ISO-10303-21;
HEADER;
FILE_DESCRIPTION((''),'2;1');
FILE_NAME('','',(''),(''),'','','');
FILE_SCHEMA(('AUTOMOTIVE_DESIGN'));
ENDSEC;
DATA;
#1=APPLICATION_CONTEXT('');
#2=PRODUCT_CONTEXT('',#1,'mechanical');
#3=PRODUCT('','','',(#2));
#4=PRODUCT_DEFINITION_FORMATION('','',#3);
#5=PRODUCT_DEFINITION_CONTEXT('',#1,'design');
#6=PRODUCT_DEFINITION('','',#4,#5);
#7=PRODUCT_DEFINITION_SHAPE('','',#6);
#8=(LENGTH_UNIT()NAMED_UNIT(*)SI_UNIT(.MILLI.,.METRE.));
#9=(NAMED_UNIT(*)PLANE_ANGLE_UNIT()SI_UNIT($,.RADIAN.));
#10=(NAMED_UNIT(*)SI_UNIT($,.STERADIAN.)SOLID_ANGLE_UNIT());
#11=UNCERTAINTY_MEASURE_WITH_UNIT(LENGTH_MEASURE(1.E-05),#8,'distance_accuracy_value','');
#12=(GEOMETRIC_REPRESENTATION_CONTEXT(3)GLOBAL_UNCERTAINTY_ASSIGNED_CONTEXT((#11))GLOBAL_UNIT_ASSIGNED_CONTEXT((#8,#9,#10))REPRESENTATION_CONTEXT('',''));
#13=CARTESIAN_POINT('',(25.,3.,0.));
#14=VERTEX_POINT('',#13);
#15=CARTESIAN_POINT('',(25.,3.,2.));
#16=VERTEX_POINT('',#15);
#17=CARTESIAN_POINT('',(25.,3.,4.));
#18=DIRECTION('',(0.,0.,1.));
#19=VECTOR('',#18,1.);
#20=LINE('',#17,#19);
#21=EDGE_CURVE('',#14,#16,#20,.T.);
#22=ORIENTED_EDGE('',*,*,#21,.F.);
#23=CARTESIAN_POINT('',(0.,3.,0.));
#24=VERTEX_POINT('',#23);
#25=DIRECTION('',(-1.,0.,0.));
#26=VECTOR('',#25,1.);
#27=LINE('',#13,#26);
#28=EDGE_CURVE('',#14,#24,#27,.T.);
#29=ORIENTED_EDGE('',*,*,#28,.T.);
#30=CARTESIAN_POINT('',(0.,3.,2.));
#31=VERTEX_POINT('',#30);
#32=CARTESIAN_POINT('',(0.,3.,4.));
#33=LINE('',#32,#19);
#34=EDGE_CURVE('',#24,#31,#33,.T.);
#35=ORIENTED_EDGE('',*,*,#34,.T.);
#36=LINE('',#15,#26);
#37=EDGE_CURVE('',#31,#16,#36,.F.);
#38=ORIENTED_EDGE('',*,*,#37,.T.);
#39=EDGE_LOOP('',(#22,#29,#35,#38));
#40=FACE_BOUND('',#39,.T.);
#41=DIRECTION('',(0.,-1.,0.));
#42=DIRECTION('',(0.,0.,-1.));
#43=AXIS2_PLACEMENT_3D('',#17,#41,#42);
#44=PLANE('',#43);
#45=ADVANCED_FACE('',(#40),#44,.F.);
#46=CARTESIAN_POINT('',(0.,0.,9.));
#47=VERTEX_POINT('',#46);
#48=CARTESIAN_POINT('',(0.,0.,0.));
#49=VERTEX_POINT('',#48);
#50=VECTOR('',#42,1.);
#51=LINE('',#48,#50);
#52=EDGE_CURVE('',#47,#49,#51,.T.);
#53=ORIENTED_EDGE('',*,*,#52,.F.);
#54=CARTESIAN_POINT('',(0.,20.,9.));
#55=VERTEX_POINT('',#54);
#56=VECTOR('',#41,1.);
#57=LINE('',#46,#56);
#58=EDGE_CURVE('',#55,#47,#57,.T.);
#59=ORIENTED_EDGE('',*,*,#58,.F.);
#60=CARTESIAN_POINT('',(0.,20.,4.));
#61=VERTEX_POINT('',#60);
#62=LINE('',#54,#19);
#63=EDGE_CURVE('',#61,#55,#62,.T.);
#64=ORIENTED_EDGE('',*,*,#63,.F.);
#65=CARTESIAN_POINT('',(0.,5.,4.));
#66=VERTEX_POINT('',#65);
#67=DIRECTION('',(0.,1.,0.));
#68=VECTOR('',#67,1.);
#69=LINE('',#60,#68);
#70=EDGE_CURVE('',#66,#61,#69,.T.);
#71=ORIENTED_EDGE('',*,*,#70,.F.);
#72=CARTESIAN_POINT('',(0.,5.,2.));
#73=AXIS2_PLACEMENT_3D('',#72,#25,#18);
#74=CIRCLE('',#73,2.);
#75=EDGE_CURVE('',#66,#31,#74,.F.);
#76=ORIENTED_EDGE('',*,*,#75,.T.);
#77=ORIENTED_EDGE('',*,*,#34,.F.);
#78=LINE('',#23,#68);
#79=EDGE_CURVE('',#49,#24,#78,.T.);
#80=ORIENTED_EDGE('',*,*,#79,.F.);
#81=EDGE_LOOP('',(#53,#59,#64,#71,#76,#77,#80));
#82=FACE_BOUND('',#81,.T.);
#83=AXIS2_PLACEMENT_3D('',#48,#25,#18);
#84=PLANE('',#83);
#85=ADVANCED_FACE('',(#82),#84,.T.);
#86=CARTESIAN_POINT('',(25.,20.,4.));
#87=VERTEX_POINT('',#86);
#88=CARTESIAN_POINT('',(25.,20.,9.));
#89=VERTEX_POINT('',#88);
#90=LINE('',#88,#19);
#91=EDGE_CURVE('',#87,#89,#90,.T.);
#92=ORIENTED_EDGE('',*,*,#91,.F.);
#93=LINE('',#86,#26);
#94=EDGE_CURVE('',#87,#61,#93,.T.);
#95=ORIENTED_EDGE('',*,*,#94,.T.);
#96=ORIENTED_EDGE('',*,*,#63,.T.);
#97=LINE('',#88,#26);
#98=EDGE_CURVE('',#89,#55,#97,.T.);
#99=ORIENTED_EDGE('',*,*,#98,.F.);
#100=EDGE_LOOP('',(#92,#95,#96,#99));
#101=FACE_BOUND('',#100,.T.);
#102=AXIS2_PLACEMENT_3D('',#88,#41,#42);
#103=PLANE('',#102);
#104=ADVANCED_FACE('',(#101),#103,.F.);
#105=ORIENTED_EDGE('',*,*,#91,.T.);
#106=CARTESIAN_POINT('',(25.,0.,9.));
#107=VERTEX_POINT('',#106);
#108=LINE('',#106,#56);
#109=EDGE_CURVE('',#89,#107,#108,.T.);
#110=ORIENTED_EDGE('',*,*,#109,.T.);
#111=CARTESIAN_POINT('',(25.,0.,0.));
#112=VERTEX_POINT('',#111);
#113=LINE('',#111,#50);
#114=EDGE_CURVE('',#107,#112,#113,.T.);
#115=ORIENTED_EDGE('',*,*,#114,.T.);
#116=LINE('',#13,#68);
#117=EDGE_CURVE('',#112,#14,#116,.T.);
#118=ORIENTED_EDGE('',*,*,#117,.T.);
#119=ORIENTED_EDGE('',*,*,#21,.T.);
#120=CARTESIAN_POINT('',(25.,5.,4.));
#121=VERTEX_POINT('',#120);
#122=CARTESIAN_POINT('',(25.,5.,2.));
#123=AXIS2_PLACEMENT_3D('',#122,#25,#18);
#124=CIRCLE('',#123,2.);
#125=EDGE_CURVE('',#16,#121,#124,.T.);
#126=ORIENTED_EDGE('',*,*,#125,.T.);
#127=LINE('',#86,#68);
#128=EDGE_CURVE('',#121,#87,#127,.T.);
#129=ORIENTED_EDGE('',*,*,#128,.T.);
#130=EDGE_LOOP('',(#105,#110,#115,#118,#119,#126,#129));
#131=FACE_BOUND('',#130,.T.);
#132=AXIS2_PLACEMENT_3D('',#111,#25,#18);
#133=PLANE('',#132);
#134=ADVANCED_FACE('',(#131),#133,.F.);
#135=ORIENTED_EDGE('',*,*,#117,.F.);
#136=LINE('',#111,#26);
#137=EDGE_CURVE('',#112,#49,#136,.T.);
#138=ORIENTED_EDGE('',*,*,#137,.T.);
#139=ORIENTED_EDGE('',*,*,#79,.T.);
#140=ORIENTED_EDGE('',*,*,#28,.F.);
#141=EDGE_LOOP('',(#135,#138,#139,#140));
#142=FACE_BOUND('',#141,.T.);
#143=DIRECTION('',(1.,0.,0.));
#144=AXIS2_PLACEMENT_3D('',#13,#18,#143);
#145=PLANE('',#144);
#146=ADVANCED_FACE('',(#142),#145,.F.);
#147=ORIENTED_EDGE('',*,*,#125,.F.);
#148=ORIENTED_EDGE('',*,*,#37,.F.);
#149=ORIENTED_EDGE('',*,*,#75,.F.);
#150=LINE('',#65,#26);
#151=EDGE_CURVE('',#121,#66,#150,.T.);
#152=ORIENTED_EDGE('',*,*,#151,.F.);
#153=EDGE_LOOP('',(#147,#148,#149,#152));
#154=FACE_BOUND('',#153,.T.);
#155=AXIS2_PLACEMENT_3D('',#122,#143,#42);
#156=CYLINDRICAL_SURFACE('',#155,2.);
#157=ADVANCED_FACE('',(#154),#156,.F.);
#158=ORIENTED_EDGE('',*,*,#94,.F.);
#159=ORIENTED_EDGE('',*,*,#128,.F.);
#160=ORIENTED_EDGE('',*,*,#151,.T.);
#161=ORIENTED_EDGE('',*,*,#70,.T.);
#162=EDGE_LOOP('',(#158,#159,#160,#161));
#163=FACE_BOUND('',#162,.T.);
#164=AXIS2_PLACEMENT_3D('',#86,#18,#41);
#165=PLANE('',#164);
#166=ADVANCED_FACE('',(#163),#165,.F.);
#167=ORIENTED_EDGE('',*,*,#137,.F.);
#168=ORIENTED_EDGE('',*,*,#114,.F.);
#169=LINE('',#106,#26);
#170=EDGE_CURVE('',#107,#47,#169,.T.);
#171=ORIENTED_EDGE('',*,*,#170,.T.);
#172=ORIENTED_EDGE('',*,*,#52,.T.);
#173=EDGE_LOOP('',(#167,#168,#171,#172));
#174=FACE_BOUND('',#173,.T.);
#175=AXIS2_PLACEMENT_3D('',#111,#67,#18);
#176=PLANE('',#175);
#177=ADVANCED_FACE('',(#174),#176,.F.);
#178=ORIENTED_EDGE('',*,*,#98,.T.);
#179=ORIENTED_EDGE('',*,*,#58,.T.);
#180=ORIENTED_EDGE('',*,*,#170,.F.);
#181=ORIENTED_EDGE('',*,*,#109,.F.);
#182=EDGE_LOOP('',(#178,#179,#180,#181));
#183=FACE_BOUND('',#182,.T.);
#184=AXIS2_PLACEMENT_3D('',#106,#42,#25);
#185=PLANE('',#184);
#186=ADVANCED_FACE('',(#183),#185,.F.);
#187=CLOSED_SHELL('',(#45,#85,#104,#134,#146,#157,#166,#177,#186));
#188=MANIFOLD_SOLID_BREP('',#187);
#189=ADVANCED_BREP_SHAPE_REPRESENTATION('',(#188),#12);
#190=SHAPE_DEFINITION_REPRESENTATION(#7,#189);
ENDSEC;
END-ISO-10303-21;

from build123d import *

# Parameters (mm, degrees)
BOSS_EXTRUDE1_DEPTH = 25
FILLET1_R           = 2


with BuildPart() as part:
    # Sketch2 → Boss-Extrude1 (new body)
    with BuildSketch(Plane(origin=(0, 0, 0), x_dir=(0, 0, -1), z_dir=(1, 0, 0))):
        Polygon((0, 0), (-9, 0), (-9, 20), (-4, 20), (-4, 3), (0, 3), align=None)
    extrude(amount=BOSS_EXTRUDE1_DEPTH)

    # Fillet1
    fillet1_edges = [part.edges().sort_by_distance(p)[0] for p in [
        (12.5, 3, 4),
    ]]
    fillet(fillet1_edges, radius=FILLET1_R)


solid = part.part
